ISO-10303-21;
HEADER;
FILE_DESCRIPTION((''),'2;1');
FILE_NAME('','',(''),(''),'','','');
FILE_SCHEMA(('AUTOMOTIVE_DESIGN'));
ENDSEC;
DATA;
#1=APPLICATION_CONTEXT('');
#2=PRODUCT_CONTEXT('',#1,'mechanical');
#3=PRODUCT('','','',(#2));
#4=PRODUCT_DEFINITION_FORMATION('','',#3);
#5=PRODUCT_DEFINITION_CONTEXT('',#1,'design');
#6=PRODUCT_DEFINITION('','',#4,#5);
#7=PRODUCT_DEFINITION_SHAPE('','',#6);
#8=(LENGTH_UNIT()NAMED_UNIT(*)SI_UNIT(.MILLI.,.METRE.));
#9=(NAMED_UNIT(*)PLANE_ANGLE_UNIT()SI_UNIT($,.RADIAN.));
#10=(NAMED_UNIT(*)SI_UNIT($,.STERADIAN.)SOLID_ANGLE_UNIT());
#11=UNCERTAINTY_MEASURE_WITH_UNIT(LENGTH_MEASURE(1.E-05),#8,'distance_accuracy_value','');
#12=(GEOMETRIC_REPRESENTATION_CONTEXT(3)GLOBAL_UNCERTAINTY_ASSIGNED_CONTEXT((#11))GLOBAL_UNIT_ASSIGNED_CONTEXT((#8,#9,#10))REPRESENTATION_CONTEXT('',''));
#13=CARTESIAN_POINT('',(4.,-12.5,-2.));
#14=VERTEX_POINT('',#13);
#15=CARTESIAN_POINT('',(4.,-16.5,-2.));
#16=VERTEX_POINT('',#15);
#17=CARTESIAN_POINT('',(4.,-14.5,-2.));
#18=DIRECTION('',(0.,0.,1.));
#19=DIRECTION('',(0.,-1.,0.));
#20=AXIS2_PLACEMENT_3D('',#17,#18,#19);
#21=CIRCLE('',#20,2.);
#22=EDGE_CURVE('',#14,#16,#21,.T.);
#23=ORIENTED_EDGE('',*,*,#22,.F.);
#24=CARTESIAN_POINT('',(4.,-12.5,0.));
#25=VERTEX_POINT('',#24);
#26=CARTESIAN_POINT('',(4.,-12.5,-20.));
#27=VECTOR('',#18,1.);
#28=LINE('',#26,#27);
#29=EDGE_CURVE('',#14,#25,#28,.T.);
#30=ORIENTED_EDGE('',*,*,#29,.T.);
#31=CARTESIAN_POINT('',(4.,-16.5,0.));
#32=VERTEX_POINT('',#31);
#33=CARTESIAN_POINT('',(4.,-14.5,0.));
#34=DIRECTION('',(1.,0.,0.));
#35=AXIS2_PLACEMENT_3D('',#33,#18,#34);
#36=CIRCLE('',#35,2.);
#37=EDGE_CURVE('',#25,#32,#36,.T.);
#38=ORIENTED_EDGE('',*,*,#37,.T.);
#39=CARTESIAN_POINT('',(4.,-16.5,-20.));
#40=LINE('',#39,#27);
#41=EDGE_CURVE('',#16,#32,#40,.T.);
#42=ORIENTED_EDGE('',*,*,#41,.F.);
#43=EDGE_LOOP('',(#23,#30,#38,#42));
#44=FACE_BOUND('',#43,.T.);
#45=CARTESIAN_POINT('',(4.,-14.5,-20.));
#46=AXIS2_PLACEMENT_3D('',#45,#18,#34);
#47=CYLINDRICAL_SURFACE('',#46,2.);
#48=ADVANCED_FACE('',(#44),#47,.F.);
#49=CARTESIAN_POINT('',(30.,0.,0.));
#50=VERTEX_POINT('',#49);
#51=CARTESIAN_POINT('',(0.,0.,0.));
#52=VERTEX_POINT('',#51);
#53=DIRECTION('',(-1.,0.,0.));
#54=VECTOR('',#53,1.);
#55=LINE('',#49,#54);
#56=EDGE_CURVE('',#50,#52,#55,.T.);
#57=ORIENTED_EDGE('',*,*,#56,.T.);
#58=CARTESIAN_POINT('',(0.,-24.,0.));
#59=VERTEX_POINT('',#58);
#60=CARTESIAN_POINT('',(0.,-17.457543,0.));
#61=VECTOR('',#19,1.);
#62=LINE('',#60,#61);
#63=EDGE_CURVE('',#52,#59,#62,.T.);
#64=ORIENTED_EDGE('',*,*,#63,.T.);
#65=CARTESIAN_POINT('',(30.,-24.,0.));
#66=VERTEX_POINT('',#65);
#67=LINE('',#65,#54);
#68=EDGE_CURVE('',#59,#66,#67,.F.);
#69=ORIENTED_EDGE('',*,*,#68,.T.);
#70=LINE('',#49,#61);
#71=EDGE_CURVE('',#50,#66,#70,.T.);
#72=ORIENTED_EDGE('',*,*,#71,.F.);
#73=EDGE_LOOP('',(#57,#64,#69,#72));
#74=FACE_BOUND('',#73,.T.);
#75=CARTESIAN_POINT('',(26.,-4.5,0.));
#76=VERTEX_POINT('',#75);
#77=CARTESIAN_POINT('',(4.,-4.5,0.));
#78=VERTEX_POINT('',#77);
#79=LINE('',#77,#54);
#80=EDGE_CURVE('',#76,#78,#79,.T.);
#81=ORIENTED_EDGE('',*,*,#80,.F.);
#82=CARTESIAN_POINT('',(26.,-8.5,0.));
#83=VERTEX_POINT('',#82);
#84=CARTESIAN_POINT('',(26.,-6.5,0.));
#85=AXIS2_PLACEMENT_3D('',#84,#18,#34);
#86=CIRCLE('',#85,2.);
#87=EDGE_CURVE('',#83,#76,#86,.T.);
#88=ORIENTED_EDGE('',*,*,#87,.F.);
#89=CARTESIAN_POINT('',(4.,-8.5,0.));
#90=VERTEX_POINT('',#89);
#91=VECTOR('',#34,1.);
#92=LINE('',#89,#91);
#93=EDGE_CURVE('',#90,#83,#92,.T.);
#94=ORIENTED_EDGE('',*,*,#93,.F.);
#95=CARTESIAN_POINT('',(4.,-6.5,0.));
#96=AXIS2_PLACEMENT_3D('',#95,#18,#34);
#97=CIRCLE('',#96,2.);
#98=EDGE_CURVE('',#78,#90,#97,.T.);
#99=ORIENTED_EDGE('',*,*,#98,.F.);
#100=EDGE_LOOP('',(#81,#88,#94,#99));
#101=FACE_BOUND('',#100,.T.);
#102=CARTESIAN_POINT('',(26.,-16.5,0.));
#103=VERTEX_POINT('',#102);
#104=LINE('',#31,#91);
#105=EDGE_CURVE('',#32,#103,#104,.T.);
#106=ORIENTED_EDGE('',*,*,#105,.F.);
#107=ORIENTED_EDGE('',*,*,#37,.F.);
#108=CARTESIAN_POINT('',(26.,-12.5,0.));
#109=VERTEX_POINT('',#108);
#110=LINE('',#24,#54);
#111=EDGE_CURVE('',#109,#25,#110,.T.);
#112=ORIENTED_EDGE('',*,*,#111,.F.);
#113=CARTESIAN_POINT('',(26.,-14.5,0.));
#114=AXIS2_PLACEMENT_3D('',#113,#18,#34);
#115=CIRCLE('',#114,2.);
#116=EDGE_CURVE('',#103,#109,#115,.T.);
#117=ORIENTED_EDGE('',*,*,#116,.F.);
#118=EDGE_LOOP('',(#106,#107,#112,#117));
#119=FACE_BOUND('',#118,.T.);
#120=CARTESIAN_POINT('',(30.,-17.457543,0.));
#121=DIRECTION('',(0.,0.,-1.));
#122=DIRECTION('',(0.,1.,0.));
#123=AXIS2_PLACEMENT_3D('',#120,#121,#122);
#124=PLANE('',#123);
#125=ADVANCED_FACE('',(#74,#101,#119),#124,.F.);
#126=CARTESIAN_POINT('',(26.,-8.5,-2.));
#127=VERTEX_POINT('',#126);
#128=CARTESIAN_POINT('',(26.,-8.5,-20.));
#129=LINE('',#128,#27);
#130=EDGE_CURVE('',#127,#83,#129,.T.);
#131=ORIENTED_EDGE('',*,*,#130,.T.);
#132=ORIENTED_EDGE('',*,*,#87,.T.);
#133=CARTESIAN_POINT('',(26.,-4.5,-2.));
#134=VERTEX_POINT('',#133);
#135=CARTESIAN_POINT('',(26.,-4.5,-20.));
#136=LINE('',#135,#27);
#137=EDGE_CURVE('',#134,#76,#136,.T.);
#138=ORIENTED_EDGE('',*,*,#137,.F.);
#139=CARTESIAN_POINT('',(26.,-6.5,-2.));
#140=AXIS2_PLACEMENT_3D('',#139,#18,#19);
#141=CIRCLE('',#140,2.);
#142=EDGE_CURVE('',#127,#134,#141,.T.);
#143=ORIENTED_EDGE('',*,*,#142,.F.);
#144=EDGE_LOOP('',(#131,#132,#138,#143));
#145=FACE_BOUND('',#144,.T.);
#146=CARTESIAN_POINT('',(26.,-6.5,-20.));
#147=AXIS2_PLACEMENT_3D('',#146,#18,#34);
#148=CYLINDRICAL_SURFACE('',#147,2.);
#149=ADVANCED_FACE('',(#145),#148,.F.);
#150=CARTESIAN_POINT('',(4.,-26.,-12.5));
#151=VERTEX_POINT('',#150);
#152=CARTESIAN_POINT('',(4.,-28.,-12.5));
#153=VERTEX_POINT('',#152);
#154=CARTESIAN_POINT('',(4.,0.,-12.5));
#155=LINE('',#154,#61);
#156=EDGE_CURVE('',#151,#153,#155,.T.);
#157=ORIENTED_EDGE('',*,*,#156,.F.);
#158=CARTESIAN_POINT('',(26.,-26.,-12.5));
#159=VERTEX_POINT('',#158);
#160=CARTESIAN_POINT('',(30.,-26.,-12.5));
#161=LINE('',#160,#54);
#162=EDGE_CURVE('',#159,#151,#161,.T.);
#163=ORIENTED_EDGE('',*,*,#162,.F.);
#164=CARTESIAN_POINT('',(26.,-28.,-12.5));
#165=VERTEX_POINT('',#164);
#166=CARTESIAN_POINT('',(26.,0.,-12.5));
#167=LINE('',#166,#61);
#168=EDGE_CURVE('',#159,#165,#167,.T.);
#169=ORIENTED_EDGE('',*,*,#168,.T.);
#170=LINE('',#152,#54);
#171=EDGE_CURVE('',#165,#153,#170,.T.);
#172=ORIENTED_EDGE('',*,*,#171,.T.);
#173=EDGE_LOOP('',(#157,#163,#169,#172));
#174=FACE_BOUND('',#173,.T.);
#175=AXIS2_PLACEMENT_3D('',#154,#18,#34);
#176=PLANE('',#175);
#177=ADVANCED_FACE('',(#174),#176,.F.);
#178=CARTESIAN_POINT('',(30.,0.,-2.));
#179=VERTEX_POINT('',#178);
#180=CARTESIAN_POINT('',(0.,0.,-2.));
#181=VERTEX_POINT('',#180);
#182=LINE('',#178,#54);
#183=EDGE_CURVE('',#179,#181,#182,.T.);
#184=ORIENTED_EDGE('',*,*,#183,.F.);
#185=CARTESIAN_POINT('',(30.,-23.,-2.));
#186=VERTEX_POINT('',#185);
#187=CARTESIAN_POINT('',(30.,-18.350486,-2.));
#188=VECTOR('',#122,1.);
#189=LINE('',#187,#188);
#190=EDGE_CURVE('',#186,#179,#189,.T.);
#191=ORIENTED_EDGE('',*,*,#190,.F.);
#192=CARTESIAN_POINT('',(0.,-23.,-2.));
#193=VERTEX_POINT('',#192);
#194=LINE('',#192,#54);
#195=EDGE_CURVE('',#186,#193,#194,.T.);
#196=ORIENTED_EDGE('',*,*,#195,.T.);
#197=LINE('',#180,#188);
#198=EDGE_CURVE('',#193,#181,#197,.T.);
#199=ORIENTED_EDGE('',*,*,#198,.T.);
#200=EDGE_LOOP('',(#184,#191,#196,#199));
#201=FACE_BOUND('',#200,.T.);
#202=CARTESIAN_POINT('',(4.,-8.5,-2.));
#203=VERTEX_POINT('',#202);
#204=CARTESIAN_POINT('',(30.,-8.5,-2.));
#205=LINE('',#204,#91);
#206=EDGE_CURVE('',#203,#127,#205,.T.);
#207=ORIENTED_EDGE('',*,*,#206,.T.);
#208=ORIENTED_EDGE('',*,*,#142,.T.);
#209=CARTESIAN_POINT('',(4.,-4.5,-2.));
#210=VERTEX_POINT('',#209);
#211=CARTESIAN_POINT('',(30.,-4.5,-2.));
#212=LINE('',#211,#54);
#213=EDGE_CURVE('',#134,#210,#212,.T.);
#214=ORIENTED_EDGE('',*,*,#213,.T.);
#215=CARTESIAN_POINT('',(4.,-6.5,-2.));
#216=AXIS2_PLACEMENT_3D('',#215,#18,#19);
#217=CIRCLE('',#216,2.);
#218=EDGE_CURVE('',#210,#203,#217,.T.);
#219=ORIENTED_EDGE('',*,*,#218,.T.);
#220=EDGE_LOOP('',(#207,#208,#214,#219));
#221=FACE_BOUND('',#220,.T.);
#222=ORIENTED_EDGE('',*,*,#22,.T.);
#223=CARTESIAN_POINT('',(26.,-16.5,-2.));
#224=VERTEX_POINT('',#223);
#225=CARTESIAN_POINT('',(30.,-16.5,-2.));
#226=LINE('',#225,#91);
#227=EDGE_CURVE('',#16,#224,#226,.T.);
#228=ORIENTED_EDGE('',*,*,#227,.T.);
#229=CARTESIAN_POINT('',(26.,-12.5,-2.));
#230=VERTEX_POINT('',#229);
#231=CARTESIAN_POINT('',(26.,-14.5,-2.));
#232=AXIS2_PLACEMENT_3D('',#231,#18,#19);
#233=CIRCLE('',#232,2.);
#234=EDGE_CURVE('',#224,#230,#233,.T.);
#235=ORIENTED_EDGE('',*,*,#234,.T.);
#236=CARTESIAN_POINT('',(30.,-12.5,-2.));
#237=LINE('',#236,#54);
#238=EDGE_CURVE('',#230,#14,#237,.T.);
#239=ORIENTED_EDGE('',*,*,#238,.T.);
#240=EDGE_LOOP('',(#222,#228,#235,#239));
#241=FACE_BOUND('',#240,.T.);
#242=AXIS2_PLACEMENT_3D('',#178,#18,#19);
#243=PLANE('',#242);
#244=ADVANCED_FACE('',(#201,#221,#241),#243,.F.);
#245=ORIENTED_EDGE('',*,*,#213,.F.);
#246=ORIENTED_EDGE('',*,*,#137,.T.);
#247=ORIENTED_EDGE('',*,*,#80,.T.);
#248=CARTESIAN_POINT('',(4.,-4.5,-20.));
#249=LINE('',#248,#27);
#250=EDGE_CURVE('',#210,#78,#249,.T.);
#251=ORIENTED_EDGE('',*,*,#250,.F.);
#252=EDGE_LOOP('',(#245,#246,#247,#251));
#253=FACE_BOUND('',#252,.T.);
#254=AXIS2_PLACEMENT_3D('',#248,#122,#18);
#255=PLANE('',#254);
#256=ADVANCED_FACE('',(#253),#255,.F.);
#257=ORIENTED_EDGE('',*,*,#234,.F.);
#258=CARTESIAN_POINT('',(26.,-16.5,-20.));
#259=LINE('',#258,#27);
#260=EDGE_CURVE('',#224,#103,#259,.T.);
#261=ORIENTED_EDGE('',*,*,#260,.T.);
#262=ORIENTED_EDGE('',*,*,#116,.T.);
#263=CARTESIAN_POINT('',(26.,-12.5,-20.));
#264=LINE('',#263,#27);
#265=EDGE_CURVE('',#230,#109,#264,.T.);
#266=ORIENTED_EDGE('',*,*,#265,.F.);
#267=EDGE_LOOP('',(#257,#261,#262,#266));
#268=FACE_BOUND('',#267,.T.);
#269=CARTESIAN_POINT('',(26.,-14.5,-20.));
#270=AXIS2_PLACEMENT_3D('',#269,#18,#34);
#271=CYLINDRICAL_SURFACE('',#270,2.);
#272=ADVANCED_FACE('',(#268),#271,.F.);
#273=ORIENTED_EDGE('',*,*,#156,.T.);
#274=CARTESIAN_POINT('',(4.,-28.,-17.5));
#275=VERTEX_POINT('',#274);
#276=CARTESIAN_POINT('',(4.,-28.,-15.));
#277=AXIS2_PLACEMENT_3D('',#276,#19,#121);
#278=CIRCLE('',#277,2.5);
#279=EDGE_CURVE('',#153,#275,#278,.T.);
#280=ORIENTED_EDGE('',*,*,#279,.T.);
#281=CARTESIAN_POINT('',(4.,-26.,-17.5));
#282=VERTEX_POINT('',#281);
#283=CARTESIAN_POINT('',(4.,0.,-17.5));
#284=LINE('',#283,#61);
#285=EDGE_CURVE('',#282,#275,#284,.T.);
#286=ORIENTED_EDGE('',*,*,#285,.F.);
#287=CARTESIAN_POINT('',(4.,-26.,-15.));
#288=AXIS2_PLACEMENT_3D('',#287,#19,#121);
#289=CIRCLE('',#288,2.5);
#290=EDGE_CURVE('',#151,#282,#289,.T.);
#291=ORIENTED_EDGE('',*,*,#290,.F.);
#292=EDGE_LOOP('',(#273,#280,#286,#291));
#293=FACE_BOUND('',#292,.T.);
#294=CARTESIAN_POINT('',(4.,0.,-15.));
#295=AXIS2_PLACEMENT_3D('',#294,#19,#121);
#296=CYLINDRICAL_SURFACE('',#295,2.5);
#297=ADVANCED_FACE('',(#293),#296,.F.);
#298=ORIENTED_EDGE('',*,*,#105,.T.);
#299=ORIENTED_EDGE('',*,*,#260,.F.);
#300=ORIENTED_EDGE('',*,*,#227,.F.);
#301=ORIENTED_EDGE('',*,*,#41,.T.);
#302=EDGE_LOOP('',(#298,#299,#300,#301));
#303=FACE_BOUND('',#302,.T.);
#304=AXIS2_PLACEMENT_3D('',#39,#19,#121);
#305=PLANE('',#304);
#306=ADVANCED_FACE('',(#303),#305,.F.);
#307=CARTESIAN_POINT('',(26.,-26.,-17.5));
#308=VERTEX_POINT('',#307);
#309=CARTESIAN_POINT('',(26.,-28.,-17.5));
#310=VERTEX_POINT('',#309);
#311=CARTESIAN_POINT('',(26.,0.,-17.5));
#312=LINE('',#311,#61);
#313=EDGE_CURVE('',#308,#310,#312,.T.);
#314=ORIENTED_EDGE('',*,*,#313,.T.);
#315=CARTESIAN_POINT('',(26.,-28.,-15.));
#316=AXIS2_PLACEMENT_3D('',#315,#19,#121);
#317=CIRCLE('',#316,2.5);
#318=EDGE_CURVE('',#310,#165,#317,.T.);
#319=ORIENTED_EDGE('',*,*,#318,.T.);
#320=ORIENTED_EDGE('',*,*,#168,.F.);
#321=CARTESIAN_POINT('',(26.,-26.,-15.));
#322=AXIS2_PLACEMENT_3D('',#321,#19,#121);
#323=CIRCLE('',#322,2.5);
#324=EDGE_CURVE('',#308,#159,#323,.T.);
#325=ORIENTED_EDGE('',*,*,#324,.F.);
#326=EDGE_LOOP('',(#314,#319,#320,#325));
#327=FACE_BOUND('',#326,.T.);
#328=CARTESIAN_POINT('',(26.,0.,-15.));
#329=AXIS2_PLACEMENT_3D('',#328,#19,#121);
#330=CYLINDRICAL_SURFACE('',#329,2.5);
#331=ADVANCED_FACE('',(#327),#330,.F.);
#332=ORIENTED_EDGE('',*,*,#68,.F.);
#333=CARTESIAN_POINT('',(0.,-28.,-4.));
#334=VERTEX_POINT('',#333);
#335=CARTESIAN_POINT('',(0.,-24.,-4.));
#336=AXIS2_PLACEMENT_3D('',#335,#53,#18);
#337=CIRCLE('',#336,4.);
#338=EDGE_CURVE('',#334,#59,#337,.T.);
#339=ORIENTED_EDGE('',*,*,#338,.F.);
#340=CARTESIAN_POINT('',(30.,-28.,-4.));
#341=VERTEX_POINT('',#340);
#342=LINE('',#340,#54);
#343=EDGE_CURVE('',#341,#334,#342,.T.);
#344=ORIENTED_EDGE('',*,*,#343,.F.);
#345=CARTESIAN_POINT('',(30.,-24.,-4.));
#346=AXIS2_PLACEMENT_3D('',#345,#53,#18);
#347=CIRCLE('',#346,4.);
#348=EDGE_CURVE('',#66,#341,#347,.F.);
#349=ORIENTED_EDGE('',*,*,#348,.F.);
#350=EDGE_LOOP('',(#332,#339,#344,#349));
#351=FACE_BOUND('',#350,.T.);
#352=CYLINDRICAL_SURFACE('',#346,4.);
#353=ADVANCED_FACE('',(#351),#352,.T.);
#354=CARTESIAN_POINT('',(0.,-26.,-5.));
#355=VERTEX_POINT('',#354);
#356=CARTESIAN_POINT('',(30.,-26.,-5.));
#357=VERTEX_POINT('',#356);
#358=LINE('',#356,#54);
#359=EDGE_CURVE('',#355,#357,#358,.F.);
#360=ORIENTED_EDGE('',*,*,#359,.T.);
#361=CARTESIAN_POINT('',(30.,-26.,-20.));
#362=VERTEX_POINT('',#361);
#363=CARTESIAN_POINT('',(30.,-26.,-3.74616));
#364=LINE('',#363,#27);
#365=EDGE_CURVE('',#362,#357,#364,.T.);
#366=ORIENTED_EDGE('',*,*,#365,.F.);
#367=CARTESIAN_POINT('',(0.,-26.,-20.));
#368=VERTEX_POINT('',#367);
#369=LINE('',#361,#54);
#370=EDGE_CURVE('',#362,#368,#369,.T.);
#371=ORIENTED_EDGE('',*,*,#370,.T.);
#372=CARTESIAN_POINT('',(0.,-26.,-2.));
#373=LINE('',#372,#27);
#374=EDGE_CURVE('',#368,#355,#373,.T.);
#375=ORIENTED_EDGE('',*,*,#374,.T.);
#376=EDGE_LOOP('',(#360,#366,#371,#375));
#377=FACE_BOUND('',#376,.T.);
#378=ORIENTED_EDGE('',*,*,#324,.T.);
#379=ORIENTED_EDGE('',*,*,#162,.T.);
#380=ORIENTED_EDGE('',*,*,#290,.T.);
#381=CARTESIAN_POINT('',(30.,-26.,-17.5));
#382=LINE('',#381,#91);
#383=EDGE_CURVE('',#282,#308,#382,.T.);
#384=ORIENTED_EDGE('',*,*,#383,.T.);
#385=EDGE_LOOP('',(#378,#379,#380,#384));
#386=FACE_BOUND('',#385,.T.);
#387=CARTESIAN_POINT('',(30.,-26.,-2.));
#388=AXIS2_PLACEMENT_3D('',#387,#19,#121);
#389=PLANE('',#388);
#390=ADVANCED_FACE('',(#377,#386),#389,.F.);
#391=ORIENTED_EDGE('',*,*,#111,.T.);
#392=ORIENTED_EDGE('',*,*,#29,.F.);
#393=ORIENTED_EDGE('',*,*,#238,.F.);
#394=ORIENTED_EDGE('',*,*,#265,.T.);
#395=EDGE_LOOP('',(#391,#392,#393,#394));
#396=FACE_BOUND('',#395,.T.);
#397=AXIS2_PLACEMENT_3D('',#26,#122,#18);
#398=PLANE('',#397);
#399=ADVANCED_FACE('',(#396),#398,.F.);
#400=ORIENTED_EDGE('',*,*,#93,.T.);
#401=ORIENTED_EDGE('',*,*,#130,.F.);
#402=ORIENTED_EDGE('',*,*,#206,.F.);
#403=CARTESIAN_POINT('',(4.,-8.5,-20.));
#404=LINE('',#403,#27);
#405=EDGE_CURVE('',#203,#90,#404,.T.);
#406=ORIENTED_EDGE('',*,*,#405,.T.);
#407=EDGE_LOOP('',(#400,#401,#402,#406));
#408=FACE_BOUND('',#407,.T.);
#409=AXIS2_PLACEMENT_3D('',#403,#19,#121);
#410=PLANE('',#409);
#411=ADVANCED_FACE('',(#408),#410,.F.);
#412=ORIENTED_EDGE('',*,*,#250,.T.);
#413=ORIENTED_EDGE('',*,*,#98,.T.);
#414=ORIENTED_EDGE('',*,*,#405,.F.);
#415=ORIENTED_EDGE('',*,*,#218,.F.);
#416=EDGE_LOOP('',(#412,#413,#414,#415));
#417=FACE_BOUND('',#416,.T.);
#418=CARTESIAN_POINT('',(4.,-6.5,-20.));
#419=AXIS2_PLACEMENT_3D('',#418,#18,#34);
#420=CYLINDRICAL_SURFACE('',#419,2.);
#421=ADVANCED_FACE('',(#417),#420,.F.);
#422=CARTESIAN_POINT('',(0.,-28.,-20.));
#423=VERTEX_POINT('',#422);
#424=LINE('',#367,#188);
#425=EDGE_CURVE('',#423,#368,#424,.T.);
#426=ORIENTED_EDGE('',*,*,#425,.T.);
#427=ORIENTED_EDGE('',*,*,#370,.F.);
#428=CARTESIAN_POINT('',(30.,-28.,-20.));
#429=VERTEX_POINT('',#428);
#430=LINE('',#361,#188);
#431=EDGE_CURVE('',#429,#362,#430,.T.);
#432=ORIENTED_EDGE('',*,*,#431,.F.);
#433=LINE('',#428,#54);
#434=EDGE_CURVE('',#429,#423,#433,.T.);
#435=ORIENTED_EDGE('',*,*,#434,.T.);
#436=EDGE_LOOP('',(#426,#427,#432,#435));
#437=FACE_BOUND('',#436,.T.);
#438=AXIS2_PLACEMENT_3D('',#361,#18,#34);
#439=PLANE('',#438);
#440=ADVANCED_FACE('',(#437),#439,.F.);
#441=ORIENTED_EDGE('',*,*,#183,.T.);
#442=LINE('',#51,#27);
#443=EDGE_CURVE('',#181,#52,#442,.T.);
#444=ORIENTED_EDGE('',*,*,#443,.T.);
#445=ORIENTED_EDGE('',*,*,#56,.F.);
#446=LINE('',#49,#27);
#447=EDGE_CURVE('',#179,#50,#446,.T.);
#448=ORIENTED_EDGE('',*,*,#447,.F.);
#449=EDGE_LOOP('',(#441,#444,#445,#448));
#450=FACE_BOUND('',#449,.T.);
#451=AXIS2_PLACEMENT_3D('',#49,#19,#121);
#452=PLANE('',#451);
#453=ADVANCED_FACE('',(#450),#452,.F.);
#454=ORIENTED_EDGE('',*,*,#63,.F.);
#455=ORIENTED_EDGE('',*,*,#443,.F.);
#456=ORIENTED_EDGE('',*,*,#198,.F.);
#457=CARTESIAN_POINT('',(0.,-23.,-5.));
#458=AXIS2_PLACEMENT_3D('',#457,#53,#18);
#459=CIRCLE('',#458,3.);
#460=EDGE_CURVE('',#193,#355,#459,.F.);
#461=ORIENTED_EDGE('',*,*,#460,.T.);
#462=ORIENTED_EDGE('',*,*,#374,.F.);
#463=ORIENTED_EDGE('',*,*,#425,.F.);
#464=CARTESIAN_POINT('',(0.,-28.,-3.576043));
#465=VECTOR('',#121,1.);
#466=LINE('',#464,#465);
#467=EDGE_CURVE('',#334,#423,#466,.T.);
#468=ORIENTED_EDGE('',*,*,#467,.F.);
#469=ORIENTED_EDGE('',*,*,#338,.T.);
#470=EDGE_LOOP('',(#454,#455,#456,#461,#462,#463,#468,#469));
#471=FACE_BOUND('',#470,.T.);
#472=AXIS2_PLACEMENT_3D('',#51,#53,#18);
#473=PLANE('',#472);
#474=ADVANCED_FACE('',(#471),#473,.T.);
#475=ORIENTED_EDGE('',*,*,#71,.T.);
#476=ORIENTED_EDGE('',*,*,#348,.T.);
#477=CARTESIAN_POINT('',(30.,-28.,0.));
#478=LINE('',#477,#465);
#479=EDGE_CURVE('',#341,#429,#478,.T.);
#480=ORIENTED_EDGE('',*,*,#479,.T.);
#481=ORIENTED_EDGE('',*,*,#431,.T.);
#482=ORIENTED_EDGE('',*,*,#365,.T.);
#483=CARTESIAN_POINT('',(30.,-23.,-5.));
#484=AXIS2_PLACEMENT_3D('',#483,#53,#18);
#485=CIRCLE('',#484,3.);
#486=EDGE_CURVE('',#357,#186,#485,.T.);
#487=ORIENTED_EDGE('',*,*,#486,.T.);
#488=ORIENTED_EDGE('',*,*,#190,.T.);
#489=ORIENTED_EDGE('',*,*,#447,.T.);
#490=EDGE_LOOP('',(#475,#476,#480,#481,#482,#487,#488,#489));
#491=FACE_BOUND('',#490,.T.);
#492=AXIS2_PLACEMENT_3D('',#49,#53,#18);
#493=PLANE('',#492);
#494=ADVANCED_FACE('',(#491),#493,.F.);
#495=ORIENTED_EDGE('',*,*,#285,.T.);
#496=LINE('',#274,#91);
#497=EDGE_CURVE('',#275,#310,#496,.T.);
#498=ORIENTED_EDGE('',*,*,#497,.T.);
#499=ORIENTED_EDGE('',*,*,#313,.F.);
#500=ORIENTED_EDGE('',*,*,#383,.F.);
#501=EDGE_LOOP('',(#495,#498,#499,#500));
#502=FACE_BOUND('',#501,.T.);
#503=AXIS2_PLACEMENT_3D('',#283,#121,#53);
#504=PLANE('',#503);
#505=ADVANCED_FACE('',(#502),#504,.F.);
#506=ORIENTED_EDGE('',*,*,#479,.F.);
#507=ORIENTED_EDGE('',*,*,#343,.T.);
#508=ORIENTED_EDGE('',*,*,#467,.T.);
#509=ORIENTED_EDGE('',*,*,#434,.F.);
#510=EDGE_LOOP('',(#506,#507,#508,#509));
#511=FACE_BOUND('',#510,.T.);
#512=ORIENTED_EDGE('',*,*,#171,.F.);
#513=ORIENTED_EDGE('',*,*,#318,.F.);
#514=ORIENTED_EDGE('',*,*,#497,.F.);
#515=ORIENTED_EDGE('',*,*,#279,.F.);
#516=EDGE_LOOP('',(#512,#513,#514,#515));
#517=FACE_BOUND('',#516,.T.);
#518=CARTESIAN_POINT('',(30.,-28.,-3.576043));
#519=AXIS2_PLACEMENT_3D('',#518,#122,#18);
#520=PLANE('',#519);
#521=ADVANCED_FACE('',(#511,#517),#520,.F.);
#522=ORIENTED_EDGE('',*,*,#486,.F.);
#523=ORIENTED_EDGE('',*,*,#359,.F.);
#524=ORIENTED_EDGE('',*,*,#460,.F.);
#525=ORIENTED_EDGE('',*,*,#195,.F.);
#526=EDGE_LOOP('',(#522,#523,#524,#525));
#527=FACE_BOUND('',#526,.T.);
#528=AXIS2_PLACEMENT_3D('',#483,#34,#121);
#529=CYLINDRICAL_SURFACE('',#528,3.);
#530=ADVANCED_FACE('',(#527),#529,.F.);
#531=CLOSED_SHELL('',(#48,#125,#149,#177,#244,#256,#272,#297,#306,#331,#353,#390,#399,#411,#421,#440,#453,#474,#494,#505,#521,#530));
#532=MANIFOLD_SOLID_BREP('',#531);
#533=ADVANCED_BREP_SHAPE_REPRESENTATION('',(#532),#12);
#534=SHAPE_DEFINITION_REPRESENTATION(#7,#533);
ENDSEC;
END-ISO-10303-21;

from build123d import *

# Parameters (mm, degrees)
EXTRUDE_1_DEPTH     = 30
CUT_EXTRUDE_1_DEPTH = 46.650848842
CUT_EXTRUDE_2_DEPTH = 46.650848842
FILLET_2_R          = 4
FILLET_3_R          = 3


with BuildPart() as part:
    # 草图1 → 凸台-拉伸1 (new body)
    with BuildSketch(Plane(origin=(0, 0, 0), x_dir=(0, 0, -1), z_dir=(1, 0, 0))):
        Polygon((0, 0), (0, -17.457543398), (0, -28), (3.576042669, -28), (20, -28), (20, -26), (3.746159887, -26), (2, -26), (2, -18.350485623), (2, 0), align=None)
    extrude(amount=EXTRUDE_1_DEPTH)

    # 草图3 → 切除-拉伸1 (cut, through all)
    with BuildSketch(Plane.XY):
        with BuildLine():
            Line((4, -12.5), (26, -12.5))
            ThreePointArc((26, -12.5), (28, -14.5), (26, -16.5))
            Line((26, -16.5), (4, -16.5))
            ThreePointArc((4, -16.5), (2, -14.5), (4, -12.5))
        make_face()
        with BuildLine():
            Line((4, -4.5), (26, -4.5))
            ThreePointArc((26, -4.5), (28, -6.5), (26, -8.5))
            Line((26, -8.5), (4, -8.5))
            ThreePointArc((4, -8.5), (2, -6.5), (4, -4.5))
        make_face()
    extrude(amount=-CUT_EXTRUDE_1_DEPTH, mode=Mode.SUBTRACT)

    # 草图4 → 切除-拉伸2 (cut, through all)
    with BuildSketch(Plane.XZ.offset(28)):
        with BuildLine():
            Line((4, -12.5), (26, -12.5))
            ThreePointArc((26, -12.5), (28.5, -15), (26, -17.5))
            Line((26, -17.5), (4, -17.5))
            ThreePointArc((4, -17.5), (1.5, -15), (4, -12.5))
        make_face()
    extrude(amount=-CUT_EXTRUDE_2_DEPTH, mode=Mode.SUBTRACT)

    # 圆角2
    fillet_2_edges = [part.edges().sort_by_distance(p)[0] for p in [
        (15, -28, 0),
    ]]
    fillet(fillet_2_edges, radius=FILLET_2_R)

    # 圆角3
    fillet_3_edges = [part.edges().sort_by_distance(p)[0] for p in [
        (15, -26, -2),
    ]]
    fillet(fillet_3_edges, radius=FILLET_3_R)


solid = part.part
